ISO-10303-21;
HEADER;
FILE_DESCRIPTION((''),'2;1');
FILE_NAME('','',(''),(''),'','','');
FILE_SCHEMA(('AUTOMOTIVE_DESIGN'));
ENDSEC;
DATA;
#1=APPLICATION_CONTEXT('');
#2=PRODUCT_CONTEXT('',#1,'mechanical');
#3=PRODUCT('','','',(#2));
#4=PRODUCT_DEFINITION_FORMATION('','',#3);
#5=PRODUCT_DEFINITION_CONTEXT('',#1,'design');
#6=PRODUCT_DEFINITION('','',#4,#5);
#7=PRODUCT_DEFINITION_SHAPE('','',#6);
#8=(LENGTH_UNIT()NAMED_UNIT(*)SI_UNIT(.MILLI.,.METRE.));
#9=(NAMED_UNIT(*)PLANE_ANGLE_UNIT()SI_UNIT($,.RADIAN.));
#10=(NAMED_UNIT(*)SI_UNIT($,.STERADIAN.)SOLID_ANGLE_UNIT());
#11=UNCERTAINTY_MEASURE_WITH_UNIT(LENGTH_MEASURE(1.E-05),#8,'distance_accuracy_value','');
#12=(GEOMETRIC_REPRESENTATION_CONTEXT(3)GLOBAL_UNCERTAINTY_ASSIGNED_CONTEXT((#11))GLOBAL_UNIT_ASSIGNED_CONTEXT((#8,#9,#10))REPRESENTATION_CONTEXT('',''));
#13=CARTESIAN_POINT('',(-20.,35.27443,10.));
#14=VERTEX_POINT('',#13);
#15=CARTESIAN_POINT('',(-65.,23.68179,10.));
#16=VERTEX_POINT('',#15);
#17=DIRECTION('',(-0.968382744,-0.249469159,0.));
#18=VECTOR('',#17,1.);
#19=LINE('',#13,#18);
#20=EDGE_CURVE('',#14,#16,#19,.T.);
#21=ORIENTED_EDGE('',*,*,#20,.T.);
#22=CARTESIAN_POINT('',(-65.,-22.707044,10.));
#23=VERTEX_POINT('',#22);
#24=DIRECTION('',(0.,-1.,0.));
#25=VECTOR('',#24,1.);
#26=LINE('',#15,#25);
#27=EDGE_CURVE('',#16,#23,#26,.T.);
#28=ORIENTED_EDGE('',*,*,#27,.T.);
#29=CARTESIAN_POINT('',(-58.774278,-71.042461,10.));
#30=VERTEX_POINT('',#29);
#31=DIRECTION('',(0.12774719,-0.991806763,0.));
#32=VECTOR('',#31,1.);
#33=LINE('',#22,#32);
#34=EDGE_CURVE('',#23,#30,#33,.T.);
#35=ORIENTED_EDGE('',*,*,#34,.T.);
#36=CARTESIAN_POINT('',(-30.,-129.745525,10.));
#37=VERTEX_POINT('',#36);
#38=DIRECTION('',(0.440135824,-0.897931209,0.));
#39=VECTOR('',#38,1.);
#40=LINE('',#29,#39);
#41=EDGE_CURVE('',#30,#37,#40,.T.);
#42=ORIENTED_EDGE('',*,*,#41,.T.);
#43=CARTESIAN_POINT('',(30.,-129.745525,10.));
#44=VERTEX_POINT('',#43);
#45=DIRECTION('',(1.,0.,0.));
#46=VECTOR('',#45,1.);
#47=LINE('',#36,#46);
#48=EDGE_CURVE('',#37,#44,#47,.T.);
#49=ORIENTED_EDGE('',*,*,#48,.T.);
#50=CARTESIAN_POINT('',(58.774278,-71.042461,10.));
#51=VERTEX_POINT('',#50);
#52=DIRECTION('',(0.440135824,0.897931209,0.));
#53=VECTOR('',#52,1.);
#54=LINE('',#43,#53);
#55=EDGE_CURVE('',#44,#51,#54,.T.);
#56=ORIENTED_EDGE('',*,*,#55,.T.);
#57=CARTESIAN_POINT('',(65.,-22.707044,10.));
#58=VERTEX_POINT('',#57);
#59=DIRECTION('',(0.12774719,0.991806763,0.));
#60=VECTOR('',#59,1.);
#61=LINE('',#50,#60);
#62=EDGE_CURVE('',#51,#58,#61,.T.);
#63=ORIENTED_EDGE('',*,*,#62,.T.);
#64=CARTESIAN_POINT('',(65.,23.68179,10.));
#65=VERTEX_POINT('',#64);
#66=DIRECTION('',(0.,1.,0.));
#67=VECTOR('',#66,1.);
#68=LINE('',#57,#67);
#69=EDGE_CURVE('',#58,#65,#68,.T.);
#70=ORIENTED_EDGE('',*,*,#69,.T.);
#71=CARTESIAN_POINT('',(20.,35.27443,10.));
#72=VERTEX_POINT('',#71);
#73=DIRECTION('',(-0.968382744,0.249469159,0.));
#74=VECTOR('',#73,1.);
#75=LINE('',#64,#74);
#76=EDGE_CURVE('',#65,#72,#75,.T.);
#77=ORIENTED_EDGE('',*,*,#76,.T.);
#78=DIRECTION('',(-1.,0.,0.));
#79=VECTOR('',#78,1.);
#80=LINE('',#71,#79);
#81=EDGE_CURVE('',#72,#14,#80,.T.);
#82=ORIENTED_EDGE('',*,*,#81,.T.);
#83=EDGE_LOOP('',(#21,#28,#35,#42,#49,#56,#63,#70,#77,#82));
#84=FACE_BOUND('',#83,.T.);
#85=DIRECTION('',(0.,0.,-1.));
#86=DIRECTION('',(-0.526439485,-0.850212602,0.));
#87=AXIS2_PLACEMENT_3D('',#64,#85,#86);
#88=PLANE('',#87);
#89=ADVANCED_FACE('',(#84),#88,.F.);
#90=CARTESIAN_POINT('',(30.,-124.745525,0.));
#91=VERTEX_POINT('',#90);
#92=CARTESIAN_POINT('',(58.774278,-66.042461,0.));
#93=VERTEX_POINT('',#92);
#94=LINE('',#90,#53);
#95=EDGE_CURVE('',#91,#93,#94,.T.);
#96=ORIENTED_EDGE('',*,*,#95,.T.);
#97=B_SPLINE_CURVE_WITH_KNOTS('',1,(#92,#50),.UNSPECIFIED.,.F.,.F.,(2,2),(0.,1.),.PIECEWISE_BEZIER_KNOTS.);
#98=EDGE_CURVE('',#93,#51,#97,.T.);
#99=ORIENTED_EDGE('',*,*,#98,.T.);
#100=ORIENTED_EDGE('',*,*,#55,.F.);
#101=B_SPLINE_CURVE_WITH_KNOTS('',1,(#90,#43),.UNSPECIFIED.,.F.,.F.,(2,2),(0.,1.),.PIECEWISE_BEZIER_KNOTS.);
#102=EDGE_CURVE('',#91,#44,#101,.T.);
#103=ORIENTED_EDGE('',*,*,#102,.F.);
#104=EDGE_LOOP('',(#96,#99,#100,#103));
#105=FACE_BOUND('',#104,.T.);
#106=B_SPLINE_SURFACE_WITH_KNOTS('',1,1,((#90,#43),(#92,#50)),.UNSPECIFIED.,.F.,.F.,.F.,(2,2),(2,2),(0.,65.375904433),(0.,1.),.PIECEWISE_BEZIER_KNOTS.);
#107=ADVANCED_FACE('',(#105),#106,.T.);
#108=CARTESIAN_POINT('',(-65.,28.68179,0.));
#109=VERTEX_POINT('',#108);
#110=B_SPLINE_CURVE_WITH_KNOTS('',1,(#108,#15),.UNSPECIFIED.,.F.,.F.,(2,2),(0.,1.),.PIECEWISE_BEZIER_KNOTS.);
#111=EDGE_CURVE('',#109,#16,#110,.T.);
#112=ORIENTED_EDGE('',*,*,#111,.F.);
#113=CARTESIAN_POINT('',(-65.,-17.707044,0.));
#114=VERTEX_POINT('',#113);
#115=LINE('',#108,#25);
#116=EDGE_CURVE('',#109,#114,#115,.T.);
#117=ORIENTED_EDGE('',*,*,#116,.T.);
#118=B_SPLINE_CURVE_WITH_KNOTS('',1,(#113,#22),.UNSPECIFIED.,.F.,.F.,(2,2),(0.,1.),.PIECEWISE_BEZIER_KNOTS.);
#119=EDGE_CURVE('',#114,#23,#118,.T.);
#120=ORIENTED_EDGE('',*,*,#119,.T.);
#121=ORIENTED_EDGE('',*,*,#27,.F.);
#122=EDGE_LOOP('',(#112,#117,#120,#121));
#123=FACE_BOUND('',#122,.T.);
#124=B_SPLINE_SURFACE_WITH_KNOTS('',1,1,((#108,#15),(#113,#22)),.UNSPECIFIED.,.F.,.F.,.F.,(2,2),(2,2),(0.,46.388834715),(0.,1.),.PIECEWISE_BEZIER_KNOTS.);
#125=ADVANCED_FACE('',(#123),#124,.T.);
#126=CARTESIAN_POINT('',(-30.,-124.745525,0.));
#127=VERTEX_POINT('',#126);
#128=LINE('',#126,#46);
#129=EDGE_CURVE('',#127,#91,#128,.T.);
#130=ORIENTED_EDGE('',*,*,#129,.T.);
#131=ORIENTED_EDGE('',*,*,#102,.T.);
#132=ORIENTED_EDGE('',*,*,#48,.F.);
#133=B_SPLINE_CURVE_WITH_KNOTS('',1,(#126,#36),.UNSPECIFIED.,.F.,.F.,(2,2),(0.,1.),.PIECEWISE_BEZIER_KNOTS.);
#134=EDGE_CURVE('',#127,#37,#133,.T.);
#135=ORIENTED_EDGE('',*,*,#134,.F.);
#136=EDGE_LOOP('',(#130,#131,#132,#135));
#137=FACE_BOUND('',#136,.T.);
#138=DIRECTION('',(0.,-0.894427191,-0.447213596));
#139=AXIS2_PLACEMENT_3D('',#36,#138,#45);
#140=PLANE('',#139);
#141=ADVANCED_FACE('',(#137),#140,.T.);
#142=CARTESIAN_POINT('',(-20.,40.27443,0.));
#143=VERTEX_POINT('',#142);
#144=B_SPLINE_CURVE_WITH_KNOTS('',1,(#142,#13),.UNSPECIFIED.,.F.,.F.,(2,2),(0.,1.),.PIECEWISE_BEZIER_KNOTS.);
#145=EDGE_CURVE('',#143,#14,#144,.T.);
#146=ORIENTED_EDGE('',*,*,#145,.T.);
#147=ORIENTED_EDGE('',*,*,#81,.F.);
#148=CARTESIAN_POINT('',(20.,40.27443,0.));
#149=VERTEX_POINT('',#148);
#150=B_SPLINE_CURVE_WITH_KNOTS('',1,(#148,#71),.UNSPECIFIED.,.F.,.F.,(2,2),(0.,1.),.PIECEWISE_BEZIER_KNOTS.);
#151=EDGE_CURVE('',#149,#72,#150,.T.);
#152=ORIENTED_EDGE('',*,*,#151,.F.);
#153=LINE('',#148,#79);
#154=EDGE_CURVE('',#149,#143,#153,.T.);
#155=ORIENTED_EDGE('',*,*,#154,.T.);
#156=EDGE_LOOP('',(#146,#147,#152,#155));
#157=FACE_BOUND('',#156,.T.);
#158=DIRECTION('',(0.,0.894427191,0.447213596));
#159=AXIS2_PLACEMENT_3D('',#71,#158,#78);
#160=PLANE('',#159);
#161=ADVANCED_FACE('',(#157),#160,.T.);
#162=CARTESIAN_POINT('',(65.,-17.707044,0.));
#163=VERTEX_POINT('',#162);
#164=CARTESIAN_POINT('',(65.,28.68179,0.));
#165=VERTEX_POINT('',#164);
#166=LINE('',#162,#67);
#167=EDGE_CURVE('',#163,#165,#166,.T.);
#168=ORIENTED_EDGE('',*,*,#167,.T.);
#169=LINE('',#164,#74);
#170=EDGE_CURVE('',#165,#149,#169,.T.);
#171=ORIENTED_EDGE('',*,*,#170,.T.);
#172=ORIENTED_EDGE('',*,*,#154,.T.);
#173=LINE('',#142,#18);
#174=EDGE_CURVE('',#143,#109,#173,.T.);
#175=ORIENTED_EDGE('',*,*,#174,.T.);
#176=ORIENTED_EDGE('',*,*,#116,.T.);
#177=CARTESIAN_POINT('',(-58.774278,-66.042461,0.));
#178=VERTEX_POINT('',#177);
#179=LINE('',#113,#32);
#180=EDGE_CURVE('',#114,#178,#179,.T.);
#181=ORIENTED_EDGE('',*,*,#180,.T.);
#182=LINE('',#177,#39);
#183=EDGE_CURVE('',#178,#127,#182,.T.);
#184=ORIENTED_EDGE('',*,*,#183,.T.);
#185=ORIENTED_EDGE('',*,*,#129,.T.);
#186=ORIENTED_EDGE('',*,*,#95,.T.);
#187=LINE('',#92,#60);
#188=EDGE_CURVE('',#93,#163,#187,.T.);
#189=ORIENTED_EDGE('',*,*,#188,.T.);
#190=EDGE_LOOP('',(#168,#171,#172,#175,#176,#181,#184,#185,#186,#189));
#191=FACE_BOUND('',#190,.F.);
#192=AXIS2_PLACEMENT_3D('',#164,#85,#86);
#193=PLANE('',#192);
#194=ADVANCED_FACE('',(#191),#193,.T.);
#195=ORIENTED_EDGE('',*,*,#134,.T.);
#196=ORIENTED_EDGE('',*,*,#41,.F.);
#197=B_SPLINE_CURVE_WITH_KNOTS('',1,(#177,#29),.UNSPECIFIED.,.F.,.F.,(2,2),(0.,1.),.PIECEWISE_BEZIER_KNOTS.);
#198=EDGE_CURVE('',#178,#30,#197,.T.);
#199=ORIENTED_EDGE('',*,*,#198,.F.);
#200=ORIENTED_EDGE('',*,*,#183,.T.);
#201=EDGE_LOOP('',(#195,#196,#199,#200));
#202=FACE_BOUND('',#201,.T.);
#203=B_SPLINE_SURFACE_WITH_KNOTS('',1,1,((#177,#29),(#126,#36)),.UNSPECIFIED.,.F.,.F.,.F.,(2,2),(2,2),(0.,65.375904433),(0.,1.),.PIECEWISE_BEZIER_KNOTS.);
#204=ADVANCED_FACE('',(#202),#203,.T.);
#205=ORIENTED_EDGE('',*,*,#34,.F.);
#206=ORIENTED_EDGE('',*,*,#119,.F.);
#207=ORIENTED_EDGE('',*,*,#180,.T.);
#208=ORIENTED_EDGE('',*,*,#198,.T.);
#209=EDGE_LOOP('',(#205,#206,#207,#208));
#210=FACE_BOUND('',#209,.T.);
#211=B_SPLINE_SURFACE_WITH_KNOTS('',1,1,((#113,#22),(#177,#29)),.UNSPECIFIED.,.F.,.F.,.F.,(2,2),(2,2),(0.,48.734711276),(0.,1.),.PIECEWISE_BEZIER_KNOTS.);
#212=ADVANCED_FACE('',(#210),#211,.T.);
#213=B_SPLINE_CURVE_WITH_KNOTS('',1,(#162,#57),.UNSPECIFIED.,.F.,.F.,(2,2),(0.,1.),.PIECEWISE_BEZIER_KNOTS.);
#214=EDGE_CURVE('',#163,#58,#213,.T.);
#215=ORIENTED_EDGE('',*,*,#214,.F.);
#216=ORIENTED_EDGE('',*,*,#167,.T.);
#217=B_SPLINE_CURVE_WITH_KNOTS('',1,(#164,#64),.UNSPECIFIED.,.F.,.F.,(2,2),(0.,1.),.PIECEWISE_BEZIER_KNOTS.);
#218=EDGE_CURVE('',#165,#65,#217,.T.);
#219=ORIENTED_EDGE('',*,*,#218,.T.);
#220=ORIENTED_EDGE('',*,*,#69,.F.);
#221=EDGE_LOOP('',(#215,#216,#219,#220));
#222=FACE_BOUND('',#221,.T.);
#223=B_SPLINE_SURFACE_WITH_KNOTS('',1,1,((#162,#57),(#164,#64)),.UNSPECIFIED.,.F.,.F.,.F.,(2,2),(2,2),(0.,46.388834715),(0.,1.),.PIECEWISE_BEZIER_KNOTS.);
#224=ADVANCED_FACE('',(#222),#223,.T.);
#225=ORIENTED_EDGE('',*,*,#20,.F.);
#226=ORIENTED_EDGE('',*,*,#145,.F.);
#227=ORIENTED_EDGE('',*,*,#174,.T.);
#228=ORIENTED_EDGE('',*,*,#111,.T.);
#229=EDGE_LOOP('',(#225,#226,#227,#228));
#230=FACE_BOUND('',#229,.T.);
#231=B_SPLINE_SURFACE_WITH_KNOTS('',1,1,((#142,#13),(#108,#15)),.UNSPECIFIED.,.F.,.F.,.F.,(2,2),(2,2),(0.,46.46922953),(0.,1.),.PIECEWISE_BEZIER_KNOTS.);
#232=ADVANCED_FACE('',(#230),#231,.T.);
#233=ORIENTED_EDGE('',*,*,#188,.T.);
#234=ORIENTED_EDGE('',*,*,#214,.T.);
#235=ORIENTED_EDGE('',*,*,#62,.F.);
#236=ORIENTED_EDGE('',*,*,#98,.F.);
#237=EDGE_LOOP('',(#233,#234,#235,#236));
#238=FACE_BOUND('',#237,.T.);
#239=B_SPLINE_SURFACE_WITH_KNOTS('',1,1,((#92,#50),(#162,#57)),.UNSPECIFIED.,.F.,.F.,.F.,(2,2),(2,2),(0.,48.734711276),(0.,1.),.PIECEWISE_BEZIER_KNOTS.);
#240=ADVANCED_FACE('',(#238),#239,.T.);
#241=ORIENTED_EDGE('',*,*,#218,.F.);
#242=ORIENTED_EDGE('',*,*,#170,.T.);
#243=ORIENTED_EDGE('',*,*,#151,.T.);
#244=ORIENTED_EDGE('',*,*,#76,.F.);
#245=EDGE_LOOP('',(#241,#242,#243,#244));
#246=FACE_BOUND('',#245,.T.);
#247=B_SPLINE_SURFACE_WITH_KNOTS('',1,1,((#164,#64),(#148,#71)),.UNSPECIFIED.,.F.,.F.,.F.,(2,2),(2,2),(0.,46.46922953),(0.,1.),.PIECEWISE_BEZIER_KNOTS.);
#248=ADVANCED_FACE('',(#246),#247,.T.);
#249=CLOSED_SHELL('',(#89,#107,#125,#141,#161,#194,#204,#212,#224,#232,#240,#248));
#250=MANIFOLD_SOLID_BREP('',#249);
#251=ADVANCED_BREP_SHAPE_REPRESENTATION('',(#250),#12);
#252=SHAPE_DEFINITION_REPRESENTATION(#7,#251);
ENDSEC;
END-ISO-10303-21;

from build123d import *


with BuildPart() as f3:
    # F0 (on Top) → F3 section 0
    with BuildSketch(Plane.XY):
        Polygon((65, 28.6817904562), (20, 40.2744300663), (-20, 40.2744300663), (-65, 28.6817904562), (-65, -17.7070442587), (-58.7742775679, -66.0424605012), (-30, -124.7455254197), (30, -124.7455254197), (58.7742775679, -66.0424605012), (65, -17.7070442587), align=None)
    # F2 (on offset) → F3 section 1
    with BuildSketch(Plane.XY.offset(10)):
        Polygon((58.7742775679, -71.0424605012), (65, -22.7070442587), (65, 23.6817904562), (20, 35.2744300663), (-20, 35.2744300663), (-65, 23.6817904562), (-65, -22.7070442587), (-58.7742775679, -71.0424605012), (-30, -129.7455254197), (30, -129.7455254197), align=None)
    loft()

    # F33: F3 across plane


with BuildPart() as f3_1:
    add(f3.part)
    add(f3.part.mirror(Plane.YZ))


solid = f3_1.part
